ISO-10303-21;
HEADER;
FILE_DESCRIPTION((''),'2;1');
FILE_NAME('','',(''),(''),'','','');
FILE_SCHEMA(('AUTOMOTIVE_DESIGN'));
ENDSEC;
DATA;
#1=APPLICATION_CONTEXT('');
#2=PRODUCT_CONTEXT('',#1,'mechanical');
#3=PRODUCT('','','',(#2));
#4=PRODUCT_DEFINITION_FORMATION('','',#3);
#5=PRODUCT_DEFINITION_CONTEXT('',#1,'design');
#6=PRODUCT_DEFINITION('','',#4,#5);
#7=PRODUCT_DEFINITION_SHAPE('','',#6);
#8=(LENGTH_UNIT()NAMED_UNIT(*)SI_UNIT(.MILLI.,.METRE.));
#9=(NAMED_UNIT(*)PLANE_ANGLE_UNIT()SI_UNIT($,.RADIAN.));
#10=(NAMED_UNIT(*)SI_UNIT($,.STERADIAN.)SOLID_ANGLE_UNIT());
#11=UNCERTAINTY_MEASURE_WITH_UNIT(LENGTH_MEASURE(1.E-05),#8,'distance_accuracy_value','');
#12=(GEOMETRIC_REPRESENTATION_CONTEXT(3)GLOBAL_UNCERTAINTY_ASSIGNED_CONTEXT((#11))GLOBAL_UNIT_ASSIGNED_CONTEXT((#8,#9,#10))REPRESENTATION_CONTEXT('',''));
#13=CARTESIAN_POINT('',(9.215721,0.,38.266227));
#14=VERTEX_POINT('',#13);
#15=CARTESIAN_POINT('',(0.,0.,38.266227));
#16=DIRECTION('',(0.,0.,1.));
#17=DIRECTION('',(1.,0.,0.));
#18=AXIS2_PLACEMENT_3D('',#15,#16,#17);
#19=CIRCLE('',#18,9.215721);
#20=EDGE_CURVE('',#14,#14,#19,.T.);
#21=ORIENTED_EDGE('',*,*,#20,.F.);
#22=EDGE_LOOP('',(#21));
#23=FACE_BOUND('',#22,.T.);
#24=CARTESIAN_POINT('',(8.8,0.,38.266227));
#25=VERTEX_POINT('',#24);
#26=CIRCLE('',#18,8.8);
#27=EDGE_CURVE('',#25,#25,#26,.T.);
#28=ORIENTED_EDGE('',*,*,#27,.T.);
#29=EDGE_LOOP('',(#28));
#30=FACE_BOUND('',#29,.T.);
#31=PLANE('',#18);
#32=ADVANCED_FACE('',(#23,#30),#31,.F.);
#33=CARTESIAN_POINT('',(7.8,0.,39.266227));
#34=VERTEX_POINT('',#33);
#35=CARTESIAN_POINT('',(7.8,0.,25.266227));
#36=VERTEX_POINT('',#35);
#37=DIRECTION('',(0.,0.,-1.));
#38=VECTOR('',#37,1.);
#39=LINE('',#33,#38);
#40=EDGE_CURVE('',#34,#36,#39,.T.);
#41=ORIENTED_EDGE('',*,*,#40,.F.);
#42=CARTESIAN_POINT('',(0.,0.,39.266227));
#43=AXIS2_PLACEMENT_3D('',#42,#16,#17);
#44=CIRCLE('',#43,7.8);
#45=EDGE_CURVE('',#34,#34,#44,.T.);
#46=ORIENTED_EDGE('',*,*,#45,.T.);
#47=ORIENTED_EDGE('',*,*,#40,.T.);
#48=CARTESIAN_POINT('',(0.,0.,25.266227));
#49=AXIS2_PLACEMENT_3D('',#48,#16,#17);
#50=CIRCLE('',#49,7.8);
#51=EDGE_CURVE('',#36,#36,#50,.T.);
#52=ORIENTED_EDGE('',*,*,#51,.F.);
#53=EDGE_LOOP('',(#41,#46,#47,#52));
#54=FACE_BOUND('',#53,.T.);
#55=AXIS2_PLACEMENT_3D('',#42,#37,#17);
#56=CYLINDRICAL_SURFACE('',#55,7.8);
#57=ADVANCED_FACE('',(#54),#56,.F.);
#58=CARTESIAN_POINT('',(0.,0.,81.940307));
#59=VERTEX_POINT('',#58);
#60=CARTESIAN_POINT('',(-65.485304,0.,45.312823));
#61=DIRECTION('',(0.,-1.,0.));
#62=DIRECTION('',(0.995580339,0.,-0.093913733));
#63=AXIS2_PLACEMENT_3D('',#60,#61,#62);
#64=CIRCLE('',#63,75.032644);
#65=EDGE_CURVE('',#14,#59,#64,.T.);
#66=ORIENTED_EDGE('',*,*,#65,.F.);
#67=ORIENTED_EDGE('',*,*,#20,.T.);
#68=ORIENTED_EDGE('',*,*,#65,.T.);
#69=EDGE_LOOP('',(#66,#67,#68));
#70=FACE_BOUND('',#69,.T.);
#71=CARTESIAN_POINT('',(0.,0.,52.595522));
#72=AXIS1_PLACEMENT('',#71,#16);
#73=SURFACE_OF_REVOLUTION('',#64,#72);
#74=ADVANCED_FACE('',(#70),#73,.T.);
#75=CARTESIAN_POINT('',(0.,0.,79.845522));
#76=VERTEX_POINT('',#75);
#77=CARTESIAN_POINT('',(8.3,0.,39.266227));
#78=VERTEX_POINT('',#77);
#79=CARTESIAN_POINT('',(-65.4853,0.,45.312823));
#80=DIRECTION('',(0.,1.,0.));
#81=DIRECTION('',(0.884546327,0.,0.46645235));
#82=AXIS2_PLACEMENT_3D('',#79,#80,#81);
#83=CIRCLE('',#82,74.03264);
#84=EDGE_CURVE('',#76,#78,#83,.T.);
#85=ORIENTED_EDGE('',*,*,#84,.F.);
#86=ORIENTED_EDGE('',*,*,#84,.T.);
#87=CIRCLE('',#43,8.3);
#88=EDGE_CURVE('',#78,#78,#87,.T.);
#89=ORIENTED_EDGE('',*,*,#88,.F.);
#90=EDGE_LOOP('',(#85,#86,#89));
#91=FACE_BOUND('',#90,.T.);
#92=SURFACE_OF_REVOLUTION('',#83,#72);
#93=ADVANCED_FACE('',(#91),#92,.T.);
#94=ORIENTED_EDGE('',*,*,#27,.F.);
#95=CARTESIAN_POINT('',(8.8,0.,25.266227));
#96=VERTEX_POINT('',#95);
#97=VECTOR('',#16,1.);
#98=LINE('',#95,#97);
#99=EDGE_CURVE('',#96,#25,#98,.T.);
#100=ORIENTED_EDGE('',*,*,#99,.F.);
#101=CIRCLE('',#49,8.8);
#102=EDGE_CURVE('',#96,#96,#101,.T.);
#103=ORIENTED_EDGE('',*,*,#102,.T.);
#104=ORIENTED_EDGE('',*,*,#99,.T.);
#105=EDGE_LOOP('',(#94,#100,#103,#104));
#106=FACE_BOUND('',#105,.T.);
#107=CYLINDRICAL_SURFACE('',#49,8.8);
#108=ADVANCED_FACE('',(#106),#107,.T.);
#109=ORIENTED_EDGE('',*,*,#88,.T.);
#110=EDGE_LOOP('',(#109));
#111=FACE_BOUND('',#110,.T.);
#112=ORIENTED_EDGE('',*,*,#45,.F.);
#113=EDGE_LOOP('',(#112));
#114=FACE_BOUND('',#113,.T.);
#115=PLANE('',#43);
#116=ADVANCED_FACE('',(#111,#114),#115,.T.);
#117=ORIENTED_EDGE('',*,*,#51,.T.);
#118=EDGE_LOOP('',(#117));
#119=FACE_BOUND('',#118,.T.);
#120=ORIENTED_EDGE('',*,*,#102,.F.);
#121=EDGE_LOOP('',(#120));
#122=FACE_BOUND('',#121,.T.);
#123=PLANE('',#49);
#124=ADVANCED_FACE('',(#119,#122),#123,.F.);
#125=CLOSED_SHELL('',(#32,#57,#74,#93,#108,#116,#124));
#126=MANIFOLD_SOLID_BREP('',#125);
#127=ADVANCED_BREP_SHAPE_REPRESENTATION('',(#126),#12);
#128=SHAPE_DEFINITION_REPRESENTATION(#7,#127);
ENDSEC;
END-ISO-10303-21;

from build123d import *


with BuildPart() as f1:
    # F0 (on Front) → F1 (revolve)
    with BuildSketch(Plane.XZ):
        with BuildLine():
            Line((7.8, 39.266227), (7.8, 25.266227))
            Line((7.8, 25.266227), (8.8, 25.266227))
            Line((8.8, 25.266227), (8.8, 38.266227))
            Line((8.8, 38.266227), (9.215721, 38.266227))
            ThreePointArc((9.215721, 38.266227), (7.930689, 60.804421), (0, 81.940307))
            Line((0, 81.940307), (0, 79.845522))
            ThreePointArc((0, 79.845522), (7.045692, 60.148153), (8.3, 39.266227))
            Line((8.3, 39.266227), (7.8, 39.266227))
        make_face()
    revolve(axis=Axis((0, 0, 52.595522), (0, 0, 1)))


solid = f1.part
